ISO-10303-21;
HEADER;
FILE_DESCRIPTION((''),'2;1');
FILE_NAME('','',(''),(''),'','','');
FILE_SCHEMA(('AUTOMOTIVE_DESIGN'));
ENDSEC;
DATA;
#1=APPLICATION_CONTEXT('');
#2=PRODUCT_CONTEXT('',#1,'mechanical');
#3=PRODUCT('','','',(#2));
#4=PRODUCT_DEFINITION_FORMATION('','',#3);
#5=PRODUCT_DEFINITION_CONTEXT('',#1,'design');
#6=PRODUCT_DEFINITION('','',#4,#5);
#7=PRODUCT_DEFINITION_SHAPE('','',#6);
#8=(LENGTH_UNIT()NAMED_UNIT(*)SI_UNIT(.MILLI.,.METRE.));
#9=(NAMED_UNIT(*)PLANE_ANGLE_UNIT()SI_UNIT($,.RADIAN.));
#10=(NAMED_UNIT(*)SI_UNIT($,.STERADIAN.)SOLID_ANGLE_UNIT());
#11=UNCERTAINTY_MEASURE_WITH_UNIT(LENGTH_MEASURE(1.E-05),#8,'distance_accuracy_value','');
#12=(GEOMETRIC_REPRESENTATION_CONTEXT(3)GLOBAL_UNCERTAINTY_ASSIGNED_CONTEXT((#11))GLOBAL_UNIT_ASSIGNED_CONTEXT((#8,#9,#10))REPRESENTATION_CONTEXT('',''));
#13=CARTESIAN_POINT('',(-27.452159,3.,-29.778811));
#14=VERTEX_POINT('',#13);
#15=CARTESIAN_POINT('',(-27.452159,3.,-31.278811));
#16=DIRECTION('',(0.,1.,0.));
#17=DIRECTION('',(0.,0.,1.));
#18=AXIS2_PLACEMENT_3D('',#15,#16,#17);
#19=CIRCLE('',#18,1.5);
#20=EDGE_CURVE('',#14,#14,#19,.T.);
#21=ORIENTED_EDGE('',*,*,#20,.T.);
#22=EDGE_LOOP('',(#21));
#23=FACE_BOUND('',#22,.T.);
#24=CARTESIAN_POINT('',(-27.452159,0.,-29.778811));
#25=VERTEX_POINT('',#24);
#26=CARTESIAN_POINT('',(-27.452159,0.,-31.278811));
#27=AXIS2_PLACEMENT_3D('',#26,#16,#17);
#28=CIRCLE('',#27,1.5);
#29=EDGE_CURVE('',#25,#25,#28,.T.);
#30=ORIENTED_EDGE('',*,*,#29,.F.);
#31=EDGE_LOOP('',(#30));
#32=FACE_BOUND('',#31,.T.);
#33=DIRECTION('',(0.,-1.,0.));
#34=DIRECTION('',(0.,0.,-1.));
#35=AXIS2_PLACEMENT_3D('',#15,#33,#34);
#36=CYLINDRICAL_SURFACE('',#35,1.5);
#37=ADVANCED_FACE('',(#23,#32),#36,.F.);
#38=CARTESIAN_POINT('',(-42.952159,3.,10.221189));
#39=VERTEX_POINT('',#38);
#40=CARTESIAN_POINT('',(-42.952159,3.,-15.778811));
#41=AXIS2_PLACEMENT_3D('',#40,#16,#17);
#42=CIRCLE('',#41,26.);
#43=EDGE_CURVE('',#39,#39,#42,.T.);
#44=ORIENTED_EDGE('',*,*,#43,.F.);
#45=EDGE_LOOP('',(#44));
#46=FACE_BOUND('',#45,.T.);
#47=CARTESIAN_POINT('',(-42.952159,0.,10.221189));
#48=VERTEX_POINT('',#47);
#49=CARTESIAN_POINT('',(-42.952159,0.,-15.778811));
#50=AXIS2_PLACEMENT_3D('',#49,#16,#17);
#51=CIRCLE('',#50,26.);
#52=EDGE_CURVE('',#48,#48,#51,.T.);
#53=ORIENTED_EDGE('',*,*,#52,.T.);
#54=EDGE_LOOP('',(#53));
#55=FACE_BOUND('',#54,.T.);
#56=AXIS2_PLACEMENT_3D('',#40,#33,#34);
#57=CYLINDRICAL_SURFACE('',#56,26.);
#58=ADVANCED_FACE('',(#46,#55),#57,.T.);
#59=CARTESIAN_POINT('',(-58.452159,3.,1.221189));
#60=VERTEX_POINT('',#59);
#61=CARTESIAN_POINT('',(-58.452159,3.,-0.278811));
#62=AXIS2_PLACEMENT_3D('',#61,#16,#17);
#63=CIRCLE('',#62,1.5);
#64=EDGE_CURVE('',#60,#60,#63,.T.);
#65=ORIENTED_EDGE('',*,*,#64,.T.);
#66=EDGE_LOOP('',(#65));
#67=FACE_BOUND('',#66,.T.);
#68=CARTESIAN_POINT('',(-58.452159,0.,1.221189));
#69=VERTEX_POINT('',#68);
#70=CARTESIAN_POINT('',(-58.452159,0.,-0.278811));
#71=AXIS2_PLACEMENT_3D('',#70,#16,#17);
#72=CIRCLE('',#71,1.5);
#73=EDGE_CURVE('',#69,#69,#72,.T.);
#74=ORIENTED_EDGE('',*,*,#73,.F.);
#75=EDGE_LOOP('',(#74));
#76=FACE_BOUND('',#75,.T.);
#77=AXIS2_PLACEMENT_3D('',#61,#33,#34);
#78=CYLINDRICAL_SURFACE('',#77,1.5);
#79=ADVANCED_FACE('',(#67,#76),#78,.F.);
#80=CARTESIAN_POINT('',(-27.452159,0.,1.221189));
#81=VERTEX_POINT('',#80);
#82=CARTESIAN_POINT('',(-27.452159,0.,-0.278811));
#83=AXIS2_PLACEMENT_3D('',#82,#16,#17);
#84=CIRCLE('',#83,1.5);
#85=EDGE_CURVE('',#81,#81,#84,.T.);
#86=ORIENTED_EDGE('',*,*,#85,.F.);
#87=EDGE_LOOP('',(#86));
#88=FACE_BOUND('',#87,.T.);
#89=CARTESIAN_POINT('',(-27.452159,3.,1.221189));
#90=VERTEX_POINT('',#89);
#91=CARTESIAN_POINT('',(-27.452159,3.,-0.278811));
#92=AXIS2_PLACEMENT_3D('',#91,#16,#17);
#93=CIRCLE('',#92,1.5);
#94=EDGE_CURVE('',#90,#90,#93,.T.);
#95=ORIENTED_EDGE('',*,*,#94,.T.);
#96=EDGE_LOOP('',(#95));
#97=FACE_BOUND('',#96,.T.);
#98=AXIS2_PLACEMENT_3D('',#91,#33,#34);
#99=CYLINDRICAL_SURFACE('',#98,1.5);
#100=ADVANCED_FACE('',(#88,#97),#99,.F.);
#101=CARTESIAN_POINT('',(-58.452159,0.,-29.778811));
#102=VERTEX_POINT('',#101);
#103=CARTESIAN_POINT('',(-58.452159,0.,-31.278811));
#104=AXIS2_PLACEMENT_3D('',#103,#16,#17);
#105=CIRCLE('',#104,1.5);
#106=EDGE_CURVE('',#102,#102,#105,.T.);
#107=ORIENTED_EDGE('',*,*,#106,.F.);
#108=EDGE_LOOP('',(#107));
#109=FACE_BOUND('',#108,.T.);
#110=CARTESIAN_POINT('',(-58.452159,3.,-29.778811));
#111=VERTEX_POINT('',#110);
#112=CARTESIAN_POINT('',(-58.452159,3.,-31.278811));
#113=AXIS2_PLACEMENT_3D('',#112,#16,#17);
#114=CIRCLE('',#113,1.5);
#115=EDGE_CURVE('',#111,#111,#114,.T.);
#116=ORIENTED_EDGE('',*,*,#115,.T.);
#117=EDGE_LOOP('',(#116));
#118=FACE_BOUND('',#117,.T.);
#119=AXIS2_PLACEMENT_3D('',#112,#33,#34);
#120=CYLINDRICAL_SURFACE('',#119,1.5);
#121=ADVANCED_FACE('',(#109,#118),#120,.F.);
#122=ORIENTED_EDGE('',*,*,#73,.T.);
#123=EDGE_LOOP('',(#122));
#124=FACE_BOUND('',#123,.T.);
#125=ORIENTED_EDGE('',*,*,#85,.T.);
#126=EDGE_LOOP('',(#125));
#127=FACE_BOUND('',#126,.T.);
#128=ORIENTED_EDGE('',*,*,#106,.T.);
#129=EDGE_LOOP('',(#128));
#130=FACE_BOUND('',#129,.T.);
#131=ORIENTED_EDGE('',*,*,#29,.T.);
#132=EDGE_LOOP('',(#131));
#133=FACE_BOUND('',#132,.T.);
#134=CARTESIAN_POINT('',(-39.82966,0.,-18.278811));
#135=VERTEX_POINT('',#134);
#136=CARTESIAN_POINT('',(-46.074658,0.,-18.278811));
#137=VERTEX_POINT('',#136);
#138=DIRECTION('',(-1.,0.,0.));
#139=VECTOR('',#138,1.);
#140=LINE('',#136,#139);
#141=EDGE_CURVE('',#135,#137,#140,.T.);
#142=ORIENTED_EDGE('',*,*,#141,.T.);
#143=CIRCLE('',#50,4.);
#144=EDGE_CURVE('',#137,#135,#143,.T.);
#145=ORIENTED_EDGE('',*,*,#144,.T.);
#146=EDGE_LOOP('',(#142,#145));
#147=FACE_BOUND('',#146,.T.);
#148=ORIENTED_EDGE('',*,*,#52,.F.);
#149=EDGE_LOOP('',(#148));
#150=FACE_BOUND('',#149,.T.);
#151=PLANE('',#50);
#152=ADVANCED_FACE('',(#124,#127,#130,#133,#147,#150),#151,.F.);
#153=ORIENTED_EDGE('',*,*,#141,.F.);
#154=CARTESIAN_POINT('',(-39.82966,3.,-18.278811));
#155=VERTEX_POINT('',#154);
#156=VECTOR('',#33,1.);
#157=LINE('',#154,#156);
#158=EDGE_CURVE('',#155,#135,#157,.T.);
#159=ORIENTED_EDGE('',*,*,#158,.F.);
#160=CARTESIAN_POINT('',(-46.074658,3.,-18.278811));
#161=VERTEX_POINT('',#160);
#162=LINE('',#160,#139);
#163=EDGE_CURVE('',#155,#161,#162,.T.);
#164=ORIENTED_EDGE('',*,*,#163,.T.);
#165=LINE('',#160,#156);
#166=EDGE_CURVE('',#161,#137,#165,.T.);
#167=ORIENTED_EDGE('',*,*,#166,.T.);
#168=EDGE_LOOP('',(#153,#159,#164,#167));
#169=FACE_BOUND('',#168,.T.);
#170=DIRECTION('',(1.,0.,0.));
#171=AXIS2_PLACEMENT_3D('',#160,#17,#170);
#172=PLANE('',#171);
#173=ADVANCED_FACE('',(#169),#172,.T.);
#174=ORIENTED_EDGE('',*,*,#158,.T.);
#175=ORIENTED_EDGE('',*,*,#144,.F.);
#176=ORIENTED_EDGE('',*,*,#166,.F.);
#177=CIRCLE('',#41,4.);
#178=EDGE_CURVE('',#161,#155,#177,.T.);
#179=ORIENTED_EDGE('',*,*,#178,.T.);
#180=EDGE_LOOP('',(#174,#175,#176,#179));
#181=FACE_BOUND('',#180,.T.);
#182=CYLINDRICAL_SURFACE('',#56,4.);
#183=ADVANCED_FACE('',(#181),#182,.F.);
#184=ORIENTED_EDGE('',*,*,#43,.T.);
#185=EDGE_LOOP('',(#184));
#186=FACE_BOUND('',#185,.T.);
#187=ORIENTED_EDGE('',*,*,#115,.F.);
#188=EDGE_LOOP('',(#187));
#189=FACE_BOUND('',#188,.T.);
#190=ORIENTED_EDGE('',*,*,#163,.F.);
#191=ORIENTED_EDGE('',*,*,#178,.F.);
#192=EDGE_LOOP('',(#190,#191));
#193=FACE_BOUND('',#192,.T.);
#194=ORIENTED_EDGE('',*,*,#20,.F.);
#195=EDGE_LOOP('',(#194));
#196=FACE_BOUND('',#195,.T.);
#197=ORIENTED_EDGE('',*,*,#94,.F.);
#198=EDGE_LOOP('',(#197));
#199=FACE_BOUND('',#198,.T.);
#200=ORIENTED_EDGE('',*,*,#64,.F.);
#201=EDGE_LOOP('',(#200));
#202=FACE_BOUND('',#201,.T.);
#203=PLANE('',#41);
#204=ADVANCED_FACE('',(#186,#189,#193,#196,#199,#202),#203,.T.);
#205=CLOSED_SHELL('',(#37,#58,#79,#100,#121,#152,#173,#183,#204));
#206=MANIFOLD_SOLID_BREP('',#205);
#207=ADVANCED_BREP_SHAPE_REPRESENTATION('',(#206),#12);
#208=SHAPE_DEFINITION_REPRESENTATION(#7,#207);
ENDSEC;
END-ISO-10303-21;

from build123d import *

# Parameters (mm, degrees)
SKETCH_1_R      = 26
SKETCH_1_R_2    = 1.5
EXTRUDE_1_DEPTH = 3


with BuildPart() as part:
    # Эскиз1 → Бобышка-Вытянуть1 (new body)
    with BuildSketch(Plane(origin=(0, 0, 0), x_dir=(1, 0, 0), z_dir=(0, 1, 0))):
        with Locations(Location((-42.952158514, 15.778810529, 0), (0, 0, 270))):
            Circle(SKETCH_1_R)
        with Locations(Location((-58.452158514, 31.278810529, 0), (0, 0, 270))):
            Circle(SKETCH_1_R_2, mode=Mode.SUBTRACT)
        with Locations(Location((-58.452158514, 0.278810529, 0), (0, 0, 270))):
            Circle(SKETCH_1_R_2, mode=Mode.SUBTRACT)
        with Locations(Location((-27.452158514, 31.278810529, 0), (0, 0, 270))):
            Circle(SKETCH_1_R_2, mode=Mode.SUBTRACT)
        with Locations(Location((-27.452158514, 0.278810529, 0), (0, 0, 270))):
            Circle(SKETCH_1_R_2, mode=Mode.SUBTRACT)
        with BuildLine():
            Line((-46.074657514, 18.278810529), (-39.829659515, 18.278810529))
            ThreePointArc((-39.829659515, 18.278810529), (-42.952158514, 11.778810529), (-46.074657514, 18.278810529))
        make_face(mode=Mode.SUBTRACT)
    extrude(amount=EXTRUDE_1_DEPTH)


solid = part.part
